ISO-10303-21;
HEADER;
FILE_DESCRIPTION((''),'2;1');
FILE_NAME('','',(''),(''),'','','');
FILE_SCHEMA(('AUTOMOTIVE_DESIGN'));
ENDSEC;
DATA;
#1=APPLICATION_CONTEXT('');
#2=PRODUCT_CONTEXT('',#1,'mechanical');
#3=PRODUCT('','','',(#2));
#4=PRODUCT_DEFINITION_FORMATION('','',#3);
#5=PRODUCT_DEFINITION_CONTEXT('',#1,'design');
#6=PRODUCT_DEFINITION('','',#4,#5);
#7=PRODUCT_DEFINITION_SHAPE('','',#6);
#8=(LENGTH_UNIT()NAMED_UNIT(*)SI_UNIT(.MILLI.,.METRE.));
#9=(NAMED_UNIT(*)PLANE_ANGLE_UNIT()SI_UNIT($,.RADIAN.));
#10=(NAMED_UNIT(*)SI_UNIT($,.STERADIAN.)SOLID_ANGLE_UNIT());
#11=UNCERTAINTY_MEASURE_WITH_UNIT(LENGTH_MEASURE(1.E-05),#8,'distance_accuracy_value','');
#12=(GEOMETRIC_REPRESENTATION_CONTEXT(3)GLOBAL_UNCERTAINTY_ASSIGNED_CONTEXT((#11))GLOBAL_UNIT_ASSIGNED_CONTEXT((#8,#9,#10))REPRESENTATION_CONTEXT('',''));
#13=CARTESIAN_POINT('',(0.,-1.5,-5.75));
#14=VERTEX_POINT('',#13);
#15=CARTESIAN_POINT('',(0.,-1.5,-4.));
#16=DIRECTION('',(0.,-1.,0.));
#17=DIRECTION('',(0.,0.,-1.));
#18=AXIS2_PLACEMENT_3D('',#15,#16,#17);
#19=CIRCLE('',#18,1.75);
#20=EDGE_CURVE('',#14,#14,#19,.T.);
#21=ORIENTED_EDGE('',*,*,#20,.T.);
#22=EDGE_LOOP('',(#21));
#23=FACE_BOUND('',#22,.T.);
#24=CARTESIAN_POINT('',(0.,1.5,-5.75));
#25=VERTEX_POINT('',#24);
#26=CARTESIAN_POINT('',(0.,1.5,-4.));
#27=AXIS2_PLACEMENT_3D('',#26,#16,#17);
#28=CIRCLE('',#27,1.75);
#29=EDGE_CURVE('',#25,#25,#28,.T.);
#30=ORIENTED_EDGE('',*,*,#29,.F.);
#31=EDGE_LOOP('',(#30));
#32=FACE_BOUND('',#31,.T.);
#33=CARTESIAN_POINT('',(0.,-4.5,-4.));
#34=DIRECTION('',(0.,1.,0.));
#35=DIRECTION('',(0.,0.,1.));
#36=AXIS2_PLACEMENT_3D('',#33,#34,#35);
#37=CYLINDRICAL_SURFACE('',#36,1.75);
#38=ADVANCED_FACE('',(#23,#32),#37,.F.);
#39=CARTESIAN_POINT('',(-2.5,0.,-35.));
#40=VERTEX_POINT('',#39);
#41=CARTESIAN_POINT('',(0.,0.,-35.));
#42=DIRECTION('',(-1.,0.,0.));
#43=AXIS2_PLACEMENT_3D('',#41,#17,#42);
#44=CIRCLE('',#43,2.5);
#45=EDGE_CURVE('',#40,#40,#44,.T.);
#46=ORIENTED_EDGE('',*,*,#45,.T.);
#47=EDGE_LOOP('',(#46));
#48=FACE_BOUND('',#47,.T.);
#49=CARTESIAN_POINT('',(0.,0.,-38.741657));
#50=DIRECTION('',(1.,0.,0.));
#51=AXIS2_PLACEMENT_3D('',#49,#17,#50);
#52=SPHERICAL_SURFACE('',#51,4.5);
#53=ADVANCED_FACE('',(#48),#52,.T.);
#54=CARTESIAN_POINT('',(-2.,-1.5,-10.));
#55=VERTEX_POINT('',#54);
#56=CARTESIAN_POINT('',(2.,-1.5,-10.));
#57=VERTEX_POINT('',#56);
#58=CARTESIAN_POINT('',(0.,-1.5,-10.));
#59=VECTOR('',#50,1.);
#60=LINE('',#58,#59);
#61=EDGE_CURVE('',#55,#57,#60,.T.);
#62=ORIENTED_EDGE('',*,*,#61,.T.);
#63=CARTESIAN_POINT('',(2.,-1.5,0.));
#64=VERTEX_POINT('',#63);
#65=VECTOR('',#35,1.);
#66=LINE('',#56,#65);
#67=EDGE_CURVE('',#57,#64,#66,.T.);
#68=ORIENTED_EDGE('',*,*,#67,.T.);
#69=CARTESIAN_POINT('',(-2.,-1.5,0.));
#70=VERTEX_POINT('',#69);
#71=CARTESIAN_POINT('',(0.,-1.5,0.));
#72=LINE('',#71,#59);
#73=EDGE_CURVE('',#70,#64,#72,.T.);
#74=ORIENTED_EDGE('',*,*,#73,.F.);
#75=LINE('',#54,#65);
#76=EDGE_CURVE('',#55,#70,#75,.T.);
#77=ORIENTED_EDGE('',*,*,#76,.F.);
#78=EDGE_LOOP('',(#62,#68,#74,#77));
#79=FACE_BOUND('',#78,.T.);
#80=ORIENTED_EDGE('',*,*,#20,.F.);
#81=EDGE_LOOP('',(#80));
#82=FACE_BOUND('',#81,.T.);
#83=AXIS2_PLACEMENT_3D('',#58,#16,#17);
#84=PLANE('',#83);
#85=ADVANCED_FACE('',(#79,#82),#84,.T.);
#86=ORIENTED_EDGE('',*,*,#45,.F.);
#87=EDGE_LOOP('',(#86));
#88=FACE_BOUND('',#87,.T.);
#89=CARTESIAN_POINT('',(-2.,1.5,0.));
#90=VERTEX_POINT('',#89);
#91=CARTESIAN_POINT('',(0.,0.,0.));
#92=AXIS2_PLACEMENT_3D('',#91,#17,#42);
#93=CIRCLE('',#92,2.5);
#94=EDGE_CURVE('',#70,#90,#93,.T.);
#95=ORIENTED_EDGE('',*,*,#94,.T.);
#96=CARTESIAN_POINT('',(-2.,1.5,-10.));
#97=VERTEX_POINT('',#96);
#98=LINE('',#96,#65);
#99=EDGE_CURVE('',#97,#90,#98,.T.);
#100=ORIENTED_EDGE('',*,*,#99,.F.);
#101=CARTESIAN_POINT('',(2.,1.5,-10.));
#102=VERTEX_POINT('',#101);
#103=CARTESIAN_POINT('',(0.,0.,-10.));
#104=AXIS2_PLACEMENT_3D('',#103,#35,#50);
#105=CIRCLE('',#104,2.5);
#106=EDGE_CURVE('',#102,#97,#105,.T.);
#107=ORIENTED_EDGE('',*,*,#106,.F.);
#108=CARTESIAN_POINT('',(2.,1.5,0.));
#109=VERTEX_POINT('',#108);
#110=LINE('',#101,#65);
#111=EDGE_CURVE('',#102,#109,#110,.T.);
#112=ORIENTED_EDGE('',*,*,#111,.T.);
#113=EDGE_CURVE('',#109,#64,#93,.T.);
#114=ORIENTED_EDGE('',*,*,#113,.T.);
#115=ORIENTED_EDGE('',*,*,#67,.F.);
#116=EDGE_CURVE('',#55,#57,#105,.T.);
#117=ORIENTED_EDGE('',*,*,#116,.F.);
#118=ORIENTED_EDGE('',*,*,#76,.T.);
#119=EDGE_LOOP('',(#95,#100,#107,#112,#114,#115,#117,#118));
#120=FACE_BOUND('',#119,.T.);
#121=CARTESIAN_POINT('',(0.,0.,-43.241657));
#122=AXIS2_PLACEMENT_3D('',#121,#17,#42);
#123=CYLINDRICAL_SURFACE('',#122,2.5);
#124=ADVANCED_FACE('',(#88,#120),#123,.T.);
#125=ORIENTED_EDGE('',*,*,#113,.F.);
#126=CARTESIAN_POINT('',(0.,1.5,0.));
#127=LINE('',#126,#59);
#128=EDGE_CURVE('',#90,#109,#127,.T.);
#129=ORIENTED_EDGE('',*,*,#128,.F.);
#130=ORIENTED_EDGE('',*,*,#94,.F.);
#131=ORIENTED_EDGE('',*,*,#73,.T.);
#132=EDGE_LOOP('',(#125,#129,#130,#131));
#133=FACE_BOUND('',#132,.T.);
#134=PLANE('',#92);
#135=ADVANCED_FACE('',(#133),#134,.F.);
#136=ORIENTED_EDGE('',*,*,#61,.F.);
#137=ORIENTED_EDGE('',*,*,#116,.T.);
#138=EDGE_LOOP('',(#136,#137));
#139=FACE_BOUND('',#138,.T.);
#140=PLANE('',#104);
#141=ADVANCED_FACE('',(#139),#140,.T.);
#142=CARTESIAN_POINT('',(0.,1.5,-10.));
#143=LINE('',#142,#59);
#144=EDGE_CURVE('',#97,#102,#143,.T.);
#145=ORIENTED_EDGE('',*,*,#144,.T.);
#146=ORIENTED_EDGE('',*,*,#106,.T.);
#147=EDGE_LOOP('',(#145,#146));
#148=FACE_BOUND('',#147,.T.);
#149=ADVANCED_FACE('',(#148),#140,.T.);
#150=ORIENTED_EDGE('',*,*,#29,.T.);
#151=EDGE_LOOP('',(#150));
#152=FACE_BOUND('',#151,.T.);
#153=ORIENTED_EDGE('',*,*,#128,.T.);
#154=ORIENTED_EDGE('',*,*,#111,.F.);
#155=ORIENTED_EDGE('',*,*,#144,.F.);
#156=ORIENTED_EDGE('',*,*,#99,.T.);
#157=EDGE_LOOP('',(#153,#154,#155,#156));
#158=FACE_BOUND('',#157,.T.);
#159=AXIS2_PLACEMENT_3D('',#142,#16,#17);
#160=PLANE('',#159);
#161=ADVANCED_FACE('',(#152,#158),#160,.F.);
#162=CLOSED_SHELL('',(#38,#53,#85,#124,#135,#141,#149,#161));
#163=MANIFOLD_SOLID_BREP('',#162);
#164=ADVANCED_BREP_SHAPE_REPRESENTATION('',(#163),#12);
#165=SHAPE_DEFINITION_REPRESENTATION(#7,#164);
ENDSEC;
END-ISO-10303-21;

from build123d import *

# Parameters (mm, degrees)
CUT_EXTRUDE3_START      = -10
CUT_EXTRUDE3_DEPTH      = 10
CUT_EXTRUDE4_DEPTH      = 44.707447118
CUT_EXTRUDE4_DEPTH_BACK = 44.707447118
SKETCH4_R               = 1.75


with BuildPart() as part:
    # Sketch1 → Revolve1 (revolve)
    with BuildSketch(Plane(origin=(0, 0, 0), x_dir=(1, 0, 0), z_dir=(0, 1, 0)), mode=Mode.PRIVATE) as revolve1_sk:
        with BuildLine():
            Line((0, 43.241657387), (0, 0))
            Line((0, 0), (2.5, 0))
            Line((2.5, 0), (2.5, 35))
            ThreePointArc((2.5, 35), (4.30624304, 40.047900427), (0, 43.241657387))
        make_face()
    revolve(revolve1_sk.sketch.rotate(Axis((0, 0, -43.241657387), (0, 0, 1)), 180), axis=Axis((0, 0, -43.241657387), (0, 0, 1)))

    # Sketch2 → Cut-Extrude3 (cut)
    with BuildSketch(Plane.XY.offset(CUT_EXTRUDE3_START)):
        with BuildLine():
            ThreePointArc((2, 1.5), (0, 2.5), (-2, 1.5))
            Line((-2, 1.5), (2, 1.5))
        make_face()
        with BuildLine():
            Line((2, -1.5), (-2, -1.5))
            ThreePointArc((-2, -1.5), (0, -2.5), (2, -1.5))
        make_face()
    extrude(amount=CUT_EXTRUDE3_DEPTH, mode=Mode.SUBTRACT)

    # Sketch4 → Cut-Extrude4 (cut, two sides: drawn at the far end of the back side and taken through both)
    with BuildSketch(Plane(origin=(0, 0, 0), x_dir=(1, 0, 0), z_dir=(0, 1, 0)).offset(-CUT_EXTRUDE4_DEPTH_BACK)):
        with Locations(Location((0, 4, 0), (0, 0, 90))):
            Circle(SKETCH4_R)
    extrude(amount=CUT_EXTRUDE4_DEPTH + CUT_EXTRUDE4_DEPTH_BACK, mode=Mode.SUBTRACT)


solid = part.part
